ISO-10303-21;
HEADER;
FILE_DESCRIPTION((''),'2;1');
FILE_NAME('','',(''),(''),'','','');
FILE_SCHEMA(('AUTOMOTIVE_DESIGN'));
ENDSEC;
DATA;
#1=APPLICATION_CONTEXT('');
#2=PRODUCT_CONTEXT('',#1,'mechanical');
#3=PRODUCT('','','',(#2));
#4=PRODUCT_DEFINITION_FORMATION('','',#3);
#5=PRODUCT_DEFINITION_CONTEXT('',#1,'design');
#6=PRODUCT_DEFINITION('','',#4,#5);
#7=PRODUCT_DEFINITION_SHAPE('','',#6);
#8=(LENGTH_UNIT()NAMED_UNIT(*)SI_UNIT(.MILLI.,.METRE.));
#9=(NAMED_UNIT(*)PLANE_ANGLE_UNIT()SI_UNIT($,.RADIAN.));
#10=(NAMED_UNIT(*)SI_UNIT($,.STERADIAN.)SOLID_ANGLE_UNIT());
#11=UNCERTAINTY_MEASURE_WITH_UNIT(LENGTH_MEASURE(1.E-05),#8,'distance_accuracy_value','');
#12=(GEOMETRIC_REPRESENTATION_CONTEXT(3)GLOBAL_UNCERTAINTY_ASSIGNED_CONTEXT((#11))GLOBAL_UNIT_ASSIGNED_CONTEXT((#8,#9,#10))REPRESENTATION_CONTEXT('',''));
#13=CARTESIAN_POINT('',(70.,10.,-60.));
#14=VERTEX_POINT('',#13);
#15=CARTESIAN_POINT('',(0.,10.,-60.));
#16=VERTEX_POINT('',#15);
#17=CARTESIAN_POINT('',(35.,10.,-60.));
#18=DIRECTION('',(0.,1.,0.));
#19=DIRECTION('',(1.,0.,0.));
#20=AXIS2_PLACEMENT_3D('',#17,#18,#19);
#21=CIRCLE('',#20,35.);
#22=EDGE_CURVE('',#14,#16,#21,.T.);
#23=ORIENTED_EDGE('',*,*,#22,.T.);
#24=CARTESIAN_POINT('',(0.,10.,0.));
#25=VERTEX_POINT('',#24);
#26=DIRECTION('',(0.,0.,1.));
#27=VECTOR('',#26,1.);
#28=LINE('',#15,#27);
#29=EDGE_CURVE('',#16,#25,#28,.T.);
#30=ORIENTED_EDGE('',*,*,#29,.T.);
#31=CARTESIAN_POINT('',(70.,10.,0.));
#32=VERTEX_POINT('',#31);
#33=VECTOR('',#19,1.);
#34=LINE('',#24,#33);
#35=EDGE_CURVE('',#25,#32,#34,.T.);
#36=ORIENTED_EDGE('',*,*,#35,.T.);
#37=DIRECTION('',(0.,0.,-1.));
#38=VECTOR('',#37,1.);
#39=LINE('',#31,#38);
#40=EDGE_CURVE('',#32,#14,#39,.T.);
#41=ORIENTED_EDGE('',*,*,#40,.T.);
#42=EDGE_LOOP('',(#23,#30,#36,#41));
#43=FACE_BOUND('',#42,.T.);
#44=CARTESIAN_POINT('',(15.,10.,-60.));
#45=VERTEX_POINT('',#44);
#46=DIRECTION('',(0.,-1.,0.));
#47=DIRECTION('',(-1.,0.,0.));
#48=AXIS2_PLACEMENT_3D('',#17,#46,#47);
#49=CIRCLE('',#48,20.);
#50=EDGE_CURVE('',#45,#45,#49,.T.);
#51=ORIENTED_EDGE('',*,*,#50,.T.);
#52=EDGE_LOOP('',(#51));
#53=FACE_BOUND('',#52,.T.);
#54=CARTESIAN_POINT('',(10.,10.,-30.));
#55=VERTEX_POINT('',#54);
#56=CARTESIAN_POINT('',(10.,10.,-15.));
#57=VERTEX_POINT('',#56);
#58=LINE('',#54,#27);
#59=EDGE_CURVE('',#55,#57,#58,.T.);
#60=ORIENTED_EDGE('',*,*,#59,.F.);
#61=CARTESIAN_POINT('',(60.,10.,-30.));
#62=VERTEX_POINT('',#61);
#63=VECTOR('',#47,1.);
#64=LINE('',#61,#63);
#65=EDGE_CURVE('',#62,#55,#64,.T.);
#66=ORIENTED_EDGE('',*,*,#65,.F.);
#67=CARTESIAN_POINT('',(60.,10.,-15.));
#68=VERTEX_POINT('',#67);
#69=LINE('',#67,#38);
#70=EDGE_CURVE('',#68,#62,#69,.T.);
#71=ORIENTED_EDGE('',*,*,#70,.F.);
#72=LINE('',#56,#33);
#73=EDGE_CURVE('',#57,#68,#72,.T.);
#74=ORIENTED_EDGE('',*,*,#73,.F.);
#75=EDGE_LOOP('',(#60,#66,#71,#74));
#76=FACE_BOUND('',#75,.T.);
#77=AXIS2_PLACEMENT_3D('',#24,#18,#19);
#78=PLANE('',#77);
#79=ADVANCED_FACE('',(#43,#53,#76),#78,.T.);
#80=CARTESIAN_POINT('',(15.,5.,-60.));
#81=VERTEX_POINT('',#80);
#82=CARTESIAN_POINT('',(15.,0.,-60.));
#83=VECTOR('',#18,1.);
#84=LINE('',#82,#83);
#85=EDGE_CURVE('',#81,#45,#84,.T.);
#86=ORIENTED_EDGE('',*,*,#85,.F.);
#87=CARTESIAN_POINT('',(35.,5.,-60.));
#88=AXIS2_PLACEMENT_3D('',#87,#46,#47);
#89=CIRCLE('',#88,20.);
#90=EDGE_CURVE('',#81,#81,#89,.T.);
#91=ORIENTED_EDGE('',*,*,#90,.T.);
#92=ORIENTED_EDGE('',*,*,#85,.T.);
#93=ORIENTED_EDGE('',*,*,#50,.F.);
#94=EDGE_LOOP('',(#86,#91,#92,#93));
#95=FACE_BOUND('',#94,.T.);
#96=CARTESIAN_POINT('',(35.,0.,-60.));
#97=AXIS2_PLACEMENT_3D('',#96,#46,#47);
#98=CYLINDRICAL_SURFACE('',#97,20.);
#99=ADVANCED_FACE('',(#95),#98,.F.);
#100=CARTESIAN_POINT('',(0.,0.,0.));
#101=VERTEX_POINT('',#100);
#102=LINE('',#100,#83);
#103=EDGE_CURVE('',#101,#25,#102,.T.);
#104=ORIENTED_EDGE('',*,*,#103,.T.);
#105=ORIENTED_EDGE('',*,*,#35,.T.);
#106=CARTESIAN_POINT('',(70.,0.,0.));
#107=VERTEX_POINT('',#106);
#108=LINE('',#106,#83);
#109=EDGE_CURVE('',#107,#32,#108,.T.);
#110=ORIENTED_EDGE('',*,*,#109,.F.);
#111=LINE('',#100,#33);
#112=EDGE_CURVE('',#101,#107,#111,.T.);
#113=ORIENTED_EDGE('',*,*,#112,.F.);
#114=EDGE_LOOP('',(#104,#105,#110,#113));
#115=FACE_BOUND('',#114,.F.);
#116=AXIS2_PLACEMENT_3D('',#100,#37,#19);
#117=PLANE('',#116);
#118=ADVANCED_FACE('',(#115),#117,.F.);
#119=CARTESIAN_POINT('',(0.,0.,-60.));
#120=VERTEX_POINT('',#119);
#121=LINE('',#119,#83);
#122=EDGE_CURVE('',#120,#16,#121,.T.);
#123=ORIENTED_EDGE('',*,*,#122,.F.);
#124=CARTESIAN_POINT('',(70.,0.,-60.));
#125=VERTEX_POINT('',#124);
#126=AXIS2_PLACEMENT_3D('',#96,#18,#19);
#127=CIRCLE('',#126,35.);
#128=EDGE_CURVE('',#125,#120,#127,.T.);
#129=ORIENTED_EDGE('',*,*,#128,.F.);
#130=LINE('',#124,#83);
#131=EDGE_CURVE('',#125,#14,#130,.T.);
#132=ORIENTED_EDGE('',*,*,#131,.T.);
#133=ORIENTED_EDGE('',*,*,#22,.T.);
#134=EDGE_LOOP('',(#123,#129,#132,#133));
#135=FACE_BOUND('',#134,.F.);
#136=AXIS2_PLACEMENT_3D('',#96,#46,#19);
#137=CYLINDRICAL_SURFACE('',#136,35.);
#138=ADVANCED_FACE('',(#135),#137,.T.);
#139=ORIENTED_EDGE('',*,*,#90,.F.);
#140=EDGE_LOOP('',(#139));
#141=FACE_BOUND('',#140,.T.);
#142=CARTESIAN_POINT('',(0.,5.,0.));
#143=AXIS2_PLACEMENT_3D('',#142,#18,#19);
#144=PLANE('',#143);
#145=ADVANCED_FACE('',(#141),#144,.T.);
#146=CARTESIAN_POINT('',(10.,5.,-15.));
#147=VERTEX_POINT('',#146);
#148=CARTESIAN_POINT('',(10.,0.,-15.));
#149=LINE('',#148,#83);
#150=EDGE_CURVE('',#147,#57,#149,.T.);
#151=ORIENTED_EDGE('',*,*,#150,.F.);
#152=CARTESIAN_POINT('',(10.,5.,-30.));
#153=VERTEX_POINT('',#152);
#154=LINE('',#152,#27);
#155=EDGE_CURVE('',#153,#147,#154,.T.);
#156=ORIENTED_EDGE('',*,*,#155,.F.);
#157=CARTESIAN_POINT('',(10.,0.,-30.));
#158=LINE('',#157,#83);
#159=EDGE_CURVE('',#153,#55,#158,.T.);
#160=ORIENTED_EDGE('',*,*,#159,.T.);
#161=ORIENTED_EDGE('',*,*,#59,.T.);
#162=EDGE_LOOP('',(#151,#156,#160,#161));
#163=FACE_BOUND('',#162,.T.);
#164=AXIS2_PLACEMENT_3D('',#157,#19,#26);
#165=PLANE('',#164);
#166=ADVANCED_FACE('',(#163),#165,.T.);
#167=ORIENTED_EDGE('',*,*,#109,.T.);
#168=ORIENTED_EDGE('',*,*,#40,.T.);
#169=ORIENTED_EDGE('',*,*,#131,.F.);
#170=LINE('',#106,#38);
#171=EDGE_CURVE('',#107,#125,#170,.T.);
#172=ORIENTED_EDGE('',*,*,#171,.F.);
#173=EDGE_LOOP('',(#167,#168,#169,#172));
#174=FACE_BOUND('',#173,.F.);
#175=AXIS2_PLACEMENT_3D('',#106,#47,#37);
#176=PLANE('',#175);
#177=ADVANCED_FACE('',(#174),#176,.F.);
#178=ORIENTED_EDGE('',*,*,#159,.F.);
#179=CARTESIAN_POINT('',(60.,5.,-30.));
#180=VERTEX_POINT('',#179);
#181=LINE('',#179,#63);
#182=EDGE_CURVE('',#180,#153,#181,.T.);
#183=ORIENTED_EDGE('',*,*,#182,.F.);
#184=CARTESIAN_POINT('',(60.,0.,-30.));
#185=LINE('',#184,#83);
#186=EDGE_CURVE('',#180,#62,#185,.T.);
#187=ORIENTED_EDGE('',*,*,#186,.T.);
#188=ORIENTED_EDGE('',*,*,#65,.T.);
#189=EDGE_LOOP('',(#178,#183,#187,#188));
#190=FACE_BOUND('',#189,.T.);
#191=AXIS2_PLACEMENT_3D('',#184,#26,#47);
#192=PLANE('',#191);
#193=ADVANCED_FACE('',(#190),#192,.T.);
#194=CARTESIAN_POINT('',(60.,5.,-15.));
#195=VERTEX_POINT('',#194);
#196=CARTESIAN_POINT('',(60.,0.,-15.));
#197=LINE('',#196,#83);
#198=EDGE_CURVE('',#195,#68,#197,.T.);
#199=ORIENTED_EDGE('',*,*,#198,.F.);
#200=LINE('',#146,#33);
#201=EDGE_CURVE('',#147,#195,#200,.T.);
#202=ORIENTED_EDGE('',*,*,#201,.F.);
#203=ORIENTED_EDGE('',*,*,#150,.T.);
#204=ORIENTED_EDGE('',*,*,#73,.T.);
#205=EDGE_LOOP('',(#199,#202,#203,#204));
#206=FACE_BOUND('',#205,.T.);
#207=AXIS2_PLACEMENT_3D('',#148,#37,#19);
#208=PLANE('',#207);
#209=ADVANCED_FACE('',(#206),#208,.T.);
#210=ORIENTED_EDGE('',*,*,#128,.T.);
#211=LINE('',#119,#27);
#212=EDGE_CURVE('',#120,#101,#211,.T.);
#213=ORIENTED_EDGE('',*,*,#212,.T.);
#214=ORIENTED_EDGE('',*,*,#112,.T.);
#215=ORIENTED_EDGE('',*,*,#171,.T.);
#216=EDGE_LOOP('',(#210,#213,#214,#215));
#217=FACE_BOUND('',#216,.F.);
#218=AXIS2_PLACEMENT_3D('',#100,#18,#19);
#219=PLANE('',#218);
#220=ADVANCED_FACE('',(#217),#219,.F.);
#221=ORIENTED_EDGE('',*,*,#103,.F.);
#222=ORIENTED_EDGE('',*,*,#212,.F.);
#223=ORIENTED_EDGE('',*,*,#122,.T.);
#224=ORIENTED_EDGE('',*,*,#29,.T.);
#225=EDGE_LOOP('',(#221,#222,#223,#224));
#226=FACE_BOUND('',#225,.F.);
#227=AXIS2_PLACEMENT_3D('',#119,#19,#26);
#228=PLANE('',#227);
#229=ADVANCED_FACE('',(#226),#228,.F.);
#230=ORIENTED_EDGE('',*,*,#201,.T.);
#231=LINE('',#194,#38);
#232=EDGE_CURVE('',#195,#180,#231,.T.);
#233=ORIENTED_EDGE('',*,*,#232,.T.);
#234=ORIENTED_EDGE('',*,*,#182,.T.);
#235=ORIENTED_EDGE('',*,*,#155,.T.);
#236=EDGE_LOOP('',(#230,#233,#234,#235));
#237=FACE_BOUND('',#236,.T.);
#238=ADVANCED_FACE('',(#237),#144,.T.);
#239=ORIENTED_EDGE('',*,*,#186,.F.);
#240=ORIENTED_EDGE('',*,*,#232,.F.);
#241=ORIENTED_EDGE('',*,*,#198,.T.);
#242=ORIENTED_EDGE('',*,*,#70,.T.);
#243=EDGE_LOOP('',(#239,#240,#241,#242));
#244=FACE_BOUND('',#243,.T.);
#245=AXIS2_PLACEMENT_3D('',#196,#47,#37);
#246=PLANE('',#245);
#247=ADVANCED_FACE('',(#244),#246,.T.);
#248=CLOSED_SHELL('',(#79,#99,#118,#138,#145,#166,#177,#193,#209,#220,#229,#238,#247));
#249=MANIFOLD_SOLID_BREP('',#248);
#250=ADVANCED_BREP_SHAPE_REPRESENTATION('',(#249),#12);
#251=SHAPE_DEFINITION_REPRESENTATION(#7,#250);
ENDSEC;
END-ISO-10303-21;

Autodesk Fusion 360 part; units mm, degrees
sketch "Sketch1" plane through (0, 0, 0) normal (0, 1, 0) x (1, 0, 0)
  line L0 (0, 0) -> (70, 0)
  line L1 (70, 0) -> (70, 60)
  line L2 (0, 60) -> (0, 0)
  arc A0 (70, 60) -> (0, 60) centre (35, 60) ccw
  line L3 (60, 30) -> (10, 30)
  line L4 (10, 30) -> (10, 15)
  line L5 (10, 15) -> (60, 15)
  line L6 (60, 15) -> (60, 30)
  arc A1 (15, 60) -> (55, 60) centre (35, 60) ccw
  arc A2 (55, 60) -> (15, 60) centre (35, 60) ccw
  point P0 (35, 22.5)
  dimension "d1" = 70
  dimension "d2" = 60
  dimension "d5" = 50
  dimension "d6" = 15
  dimension "d7" = 15
  dimension "d8" = 10
  dimension "d10" = 35
  dimension "d11" = 20
extrude "Extrude1" add sketch "Sketch1" along normal blind 10
extrude "Extrude2" add sketch "Sketch1" along normal blind 5 contours L3 L4 L5 L6 | A1 A2
